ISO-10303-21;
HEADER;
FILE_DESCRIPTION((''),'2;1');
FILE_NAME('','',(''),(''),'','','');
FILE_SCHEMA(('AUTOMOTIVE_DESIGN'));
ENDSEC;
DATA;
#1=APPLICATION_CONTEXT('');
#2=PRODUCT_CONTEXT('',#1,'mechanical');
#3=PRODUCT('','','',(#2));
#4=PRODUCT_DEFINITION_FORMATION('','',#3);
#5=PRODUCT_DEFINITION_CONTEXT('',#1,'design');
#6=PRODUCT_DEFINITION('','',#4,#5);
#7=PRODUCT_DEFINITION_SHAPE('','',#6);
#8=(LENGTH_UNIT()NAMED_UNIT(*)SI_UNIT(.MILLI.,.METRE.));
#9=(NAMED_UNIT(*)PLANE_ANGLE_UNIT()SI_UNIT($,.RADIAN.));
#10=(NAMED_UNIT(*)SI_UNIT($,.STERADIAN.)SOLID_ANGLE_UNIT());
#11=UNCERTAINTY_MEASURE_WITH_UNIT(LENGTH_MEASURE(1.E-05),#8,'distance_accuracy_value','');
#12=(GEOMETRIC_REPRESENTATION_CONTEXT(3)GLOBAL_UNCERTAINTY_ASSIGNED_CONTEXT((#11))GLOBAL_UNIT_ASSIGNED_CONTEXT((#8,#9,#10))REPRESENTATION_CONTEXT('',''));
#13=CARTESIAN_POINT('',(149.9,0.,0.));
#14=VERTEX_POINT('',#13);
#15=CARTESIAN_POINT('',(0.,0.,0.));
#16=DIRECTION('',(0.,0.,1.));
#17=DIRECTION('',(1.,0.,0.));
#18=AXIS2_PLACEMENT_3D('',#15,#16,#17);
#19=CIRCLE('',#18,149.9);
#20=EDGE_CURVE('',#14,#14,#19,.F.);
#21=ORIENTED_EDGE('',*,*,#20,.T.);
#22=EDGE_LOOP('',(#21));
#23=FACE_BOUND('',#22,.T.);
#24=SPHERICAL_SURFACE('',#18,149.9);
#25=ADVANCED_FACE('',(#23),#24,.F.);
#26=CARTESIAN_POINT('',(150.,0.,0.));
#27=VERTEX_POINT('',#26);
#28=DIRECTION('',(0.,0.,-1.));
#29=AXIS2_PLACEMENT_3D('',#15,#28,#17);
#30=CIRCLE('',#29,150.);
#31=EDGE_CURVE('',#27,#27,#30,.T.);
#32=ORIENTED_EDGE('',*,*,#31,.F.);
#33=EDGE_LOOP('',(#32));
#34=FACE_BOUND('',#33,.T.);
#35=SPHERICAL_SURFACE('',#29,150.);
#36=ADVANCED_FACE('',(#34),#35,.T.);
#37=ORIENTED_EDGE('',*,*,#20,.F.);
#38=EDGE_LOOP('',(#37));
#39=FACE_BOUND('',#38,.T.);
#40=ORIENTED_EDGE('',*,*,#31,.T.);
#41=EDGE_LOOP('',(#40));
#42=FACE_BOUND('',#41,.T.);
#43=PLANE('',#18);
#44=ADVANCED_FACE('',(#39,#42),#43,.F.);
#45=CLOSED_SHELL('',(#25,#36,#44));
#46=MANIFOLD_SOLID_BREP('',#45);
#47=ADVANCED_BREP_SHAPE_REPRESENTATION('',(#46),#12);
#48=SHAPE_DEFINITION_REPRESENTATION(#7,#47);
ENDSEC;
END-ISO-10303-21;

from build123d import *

# Parameters (mm, degrees)
REVOLVE1_ANGLE = 180
SHELL1_T       = -0.1


with BuildPart() as part:
    # Sketch1 → Revolve1 (revolve)
    with BuildSketch(Plane.XY):
        with BuildLine():
            Line((0, 150), (0, -150))
            ThreePointArc((0, -150), (150, 0), (0, 150))
        make_face()
    revolve(axis=Axis((0, -1000, 0), (0, -1, 0)), revolution_arc=REVOLVE1_ANGLE)

    # Shell1
    shell1_openings = [part.faces().sort_by_distance(p)[0] for p in [
        (0, 0, 0),
    ]]
    offset(amount=SHELL1_T, openings=shell1_openings)


solid = part.part
